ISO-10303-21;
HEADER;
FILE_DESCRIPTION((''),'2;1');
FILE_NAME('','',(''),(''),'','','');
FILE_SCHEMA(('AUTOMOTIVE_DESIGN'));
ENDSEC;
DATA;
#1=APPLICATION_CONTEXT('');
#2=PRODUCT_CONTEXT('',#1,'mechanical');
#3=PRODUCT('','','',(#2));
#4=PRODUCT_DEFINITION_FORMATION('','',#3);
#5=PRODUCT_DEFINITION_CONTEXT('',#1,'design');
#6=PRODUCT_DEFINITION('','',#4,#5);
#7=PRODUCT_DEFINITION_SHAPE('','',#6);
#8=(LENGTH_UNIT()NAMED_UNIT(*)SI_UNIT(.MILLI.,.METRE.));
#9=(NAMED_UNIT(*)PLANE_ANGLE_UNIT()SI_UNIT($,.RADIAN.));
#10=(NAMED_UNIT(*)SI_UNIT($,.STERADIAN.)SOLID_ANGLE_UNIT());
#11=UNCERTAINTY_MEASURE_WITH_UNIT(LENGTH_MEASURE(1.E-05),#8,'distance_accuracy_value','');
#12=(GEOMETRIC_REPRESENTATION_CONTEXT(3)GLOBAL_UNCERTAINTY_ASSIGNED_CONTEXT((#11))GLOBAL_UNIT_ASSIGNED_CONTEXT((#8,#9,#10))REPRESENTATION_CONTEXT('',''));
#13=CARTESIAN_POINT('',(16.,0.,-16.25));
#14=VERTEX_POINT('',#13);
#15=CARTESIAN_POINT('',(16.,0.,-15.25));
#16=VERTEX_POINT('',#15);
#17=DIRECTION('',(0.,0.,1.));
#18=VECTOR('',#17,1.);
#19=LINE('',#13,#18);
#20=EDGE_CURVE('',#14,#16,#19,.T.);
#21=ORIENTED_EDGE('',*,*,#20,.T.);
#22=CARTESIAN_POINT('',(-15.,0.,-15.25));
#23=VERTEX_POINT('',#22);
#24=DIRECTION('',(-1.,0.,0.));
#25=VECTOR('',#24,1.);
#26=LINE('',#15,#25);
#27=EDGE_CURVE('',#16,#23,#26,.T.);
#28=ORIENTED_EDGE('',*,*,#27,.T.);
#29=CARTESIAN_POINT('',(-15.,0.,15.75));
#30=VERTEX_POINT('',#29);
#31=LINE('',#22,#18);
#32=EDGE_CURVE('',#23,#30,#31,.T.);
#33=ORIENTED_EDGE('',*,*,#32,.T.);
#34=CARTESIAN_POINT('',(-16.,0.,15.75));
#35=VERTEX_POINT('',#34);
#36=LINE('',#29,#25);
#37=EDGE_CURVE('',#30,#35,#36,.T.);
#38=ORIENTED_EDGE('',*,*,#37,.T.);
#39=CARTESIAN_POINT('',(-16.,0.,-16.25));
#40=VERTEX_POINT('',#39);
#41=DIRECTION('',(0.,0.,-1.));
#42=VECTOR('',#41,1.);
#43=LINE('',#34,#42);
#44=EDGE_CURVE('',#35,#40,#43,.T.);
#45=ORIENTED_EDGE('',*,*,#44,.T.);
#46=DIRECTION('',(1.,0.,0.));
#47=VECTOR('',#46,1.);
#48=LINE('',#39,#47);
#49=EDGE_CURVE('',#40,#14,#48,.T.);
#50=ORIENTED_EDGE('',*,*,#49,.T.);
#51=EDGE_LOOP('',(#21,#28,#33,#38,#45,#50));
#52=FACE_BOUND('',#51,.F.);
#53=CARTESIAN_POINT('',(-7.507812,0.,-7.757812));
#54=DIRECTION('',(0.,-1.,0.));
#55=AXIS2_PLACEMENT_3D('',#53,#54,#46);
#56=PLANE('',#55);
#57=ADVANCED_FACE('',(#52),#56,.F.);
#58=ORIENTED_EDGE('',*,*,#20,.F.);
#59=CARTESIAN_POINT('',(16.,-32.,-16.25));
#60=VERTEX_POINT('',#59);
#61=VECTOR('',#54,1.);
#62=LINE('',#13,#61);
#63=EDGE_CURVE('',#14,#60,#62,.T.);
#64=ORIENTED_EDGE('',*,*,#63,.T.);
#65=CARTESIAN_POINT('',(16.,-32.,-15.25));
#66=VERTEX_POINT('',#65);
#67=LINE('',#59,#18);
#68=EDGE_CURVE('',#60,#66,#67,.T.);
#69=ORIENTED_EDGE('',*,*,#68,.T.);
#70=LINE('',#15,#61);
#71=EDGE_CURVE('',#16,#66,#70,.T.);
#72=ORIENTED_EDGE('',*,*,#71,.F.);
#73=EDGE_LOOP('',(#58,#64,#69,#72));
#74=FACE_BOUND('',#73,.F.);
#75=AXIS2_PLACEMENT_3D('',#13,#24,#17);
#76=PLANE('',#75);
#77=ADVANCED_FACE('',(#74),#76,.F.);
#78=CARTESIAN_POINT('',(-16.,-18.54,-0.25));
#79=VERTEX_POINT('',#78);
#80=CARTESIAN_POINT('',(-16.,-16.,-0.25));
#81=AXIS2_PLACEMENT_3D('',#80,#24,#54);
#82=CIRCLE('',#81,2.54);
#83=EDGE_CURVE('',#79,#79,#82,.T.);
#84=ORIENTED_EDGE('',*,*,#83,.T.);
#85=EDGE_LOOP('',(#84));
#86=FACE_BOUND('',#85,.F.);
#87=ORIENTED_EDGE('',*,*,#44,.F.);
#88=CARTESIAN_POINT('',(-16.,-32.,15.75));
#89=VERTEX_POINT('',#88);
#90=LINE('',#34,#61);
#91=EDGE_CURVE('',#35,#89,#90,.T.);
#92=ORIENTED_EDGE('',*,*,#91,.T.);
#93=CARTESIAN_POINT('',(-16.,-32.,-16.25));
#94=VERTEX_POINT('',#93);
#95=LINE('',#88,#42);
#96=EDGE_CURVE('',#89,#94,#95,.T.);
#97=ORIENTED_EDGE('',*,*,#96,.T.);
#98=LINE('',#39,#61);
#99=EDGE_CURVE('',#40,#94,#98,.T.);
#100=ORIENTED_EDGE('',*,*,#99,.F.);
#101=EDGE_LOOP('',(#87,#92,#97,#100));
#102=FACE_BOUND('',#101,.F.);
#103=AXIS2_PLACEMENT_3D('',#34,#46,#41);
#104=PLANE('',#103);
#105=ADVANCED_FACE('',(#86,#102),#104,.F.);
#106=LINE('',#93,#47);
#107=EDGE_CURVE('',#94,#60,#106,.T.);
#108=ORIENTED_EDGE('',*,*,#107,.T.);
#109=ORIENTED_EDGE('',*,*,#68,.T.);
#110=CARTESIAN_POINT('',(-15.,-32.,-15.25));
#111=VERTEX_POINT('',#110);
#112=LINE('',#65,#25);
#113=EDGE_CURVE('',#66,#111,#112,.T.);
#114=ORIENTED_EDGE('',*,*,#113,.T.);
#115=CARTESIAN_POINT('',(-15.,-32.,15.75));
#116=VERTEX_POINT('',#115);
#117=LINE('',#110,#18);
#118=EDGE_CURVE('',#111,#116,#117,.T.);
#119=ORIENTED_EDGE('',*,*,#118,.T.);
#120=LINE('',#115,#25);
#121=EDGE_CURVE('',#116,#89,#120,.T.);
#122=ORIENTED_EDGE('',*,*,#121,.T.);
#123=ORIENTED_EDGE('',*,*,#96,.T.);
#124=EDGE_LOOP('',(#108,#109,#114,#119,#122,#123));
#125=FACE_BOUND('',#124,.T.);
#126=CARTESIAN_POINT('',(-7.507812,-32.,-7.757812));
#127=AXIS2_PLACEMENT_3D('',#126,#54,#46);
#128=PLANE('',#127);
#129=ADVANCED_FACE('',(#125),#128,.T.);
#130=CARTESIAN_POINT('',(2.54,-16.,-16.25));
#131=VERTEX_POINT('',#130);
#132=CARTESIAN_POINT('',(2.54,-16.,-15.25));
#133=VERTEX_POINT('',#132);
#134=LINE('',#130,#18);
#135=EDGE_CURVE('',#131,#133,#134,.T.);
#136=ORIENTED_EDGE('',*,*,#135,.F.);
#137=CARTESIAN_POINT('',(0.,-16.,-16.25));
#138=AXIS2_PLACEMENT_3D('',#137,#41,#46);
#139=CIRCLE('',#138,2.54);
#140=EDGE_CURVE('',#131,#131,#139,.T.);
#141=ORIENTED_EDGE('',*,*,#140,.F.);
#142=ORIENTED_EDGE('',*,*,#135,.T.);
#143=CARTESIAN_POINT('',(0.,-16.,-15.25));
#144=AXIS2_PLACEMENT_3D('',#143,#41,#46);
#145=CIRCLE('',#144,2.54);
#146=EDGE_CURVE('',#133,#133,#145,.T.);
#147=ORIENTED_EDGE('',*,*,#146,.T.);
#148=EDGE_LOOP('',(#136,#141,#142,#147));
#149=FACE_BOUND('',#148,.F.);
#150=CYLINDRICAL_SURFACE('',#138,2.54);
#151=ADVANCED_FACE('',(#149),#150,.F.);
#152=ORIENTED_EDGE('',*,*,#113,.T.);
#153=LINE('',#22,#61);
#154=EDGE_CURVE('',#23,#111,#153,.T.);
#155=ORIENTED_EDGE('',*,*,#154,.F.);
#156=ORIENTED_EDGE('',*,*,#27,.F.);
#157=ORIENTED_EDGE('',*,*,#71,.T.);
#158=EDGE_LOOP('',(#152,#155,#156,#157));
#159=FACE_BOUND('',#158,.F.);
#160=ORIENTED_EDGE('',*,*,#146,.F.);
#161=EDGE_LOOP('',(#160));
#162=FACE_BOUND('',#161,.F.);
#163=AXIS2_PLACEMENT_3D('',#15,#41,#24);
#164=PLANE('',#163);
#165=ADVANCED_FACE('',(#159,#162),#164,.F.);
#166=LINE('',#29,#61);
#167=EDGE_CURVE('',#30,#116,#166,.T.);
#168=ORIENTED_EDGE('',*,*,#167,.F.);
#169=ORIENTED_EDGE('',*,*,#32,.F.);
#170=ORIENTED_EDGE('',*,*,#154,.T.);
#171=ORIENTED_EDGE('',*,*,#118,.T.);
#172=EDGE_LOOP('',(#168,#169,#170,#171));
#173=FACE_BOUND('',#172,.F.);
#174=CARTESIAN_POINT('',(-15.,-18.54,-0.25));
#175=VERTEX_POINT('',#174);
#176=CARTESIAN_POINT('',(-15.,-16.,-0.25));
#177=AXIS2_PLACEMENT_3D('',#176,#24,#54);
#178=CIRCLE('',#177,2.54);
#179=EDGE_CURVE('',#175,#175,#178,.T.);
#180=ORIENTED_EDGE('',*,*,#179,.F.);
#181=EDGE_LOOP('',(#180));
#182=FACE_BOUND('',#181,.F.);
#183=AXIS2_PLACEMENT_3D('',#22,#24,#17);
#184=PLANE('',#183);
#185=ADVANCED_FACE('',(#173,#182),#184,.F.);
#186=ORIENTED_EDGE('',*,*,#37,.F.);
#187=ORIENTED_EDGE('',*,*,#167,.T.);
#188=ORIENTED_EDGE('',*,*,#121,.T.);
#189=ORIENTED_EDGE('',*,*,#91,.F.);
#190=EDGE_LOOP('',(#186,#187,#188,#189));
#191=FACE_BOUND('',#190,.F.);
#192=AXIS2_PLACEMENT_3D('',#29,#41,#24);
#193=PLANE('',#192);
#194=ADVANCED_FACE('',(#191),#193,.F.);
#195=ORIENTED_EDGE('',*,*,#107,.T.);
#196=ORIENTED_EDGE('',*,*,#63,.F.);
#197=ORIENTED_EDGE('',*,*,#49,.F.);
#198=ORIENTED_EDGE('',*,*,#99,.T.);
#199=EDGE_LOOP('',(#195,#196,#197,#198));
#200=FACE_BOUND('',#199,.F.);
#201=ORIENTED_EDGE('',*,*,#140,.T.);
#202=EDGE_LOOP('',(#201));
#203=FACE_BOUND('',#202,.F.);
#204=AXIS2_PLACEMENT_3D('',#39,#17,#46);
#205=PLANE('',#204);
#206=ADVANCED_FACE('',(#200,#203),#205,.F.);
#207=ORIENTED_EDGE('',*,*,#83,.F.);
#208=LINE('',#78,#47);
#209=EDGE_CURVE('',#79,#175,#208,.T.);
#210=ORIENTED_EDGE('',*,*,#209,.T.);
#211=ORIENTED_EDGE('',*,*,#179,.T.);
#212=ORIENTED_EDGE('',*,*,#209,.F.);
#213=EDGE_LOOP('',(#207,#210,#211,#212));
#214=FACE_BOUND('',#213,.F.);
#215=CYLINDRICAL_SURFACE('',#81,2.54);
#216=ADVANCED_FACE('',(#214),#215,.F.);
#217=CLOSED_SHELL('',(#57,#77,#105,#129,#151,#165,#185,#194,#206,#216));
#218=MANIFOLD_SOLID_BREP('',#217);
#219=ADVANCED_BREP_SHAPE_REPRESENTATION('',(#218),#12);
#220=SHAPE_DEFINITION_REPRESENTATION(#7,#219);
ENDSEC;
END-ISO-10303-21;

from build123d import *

# Parameters (mm, degrees)
F1_DEPTH = 32
F2_R     = 2.54
F3_DEPTH = 25.4
F4_R     = 2.54
F5_DEPTH = 25.4


with BuildPart() as f1:
    # F0 (on Front) → F1 (new body)
    with BuildSketch(Plane.XZ):
        Polygon((-15, 15.75), (-16, 15.75), (-16, -16.25), (16, -16.25), (16, -15.25), (-15, -15.25), align=None)
    extrude(amount=F1_DEPTH)

    # F2 (on face) → F3 (cut)
    with BuildSketch(Plane(origin=(-16, 0, 0), x_dir=(0, -1, 0), z_dir=(-1, 0, 0))):
        with Locations((16, -0.25)):
            Circle(F2_R)
    extrude(amount=-F3_DEPTH, mode=Mode.SUBTRACT)

    # F4 (on face) → F5 (cut)
    with BuildSketch(Plane(origin=(0, 0, -16.25), x_dir=(1, 0, 0), z_dir=(0, 0, -1))):
        with Locations((0, 16)):
            Circle(F4_R)
    extrude(amount=-F5_DEPTH, mode=Mode.SUBTRACT)


solid = f1.part
